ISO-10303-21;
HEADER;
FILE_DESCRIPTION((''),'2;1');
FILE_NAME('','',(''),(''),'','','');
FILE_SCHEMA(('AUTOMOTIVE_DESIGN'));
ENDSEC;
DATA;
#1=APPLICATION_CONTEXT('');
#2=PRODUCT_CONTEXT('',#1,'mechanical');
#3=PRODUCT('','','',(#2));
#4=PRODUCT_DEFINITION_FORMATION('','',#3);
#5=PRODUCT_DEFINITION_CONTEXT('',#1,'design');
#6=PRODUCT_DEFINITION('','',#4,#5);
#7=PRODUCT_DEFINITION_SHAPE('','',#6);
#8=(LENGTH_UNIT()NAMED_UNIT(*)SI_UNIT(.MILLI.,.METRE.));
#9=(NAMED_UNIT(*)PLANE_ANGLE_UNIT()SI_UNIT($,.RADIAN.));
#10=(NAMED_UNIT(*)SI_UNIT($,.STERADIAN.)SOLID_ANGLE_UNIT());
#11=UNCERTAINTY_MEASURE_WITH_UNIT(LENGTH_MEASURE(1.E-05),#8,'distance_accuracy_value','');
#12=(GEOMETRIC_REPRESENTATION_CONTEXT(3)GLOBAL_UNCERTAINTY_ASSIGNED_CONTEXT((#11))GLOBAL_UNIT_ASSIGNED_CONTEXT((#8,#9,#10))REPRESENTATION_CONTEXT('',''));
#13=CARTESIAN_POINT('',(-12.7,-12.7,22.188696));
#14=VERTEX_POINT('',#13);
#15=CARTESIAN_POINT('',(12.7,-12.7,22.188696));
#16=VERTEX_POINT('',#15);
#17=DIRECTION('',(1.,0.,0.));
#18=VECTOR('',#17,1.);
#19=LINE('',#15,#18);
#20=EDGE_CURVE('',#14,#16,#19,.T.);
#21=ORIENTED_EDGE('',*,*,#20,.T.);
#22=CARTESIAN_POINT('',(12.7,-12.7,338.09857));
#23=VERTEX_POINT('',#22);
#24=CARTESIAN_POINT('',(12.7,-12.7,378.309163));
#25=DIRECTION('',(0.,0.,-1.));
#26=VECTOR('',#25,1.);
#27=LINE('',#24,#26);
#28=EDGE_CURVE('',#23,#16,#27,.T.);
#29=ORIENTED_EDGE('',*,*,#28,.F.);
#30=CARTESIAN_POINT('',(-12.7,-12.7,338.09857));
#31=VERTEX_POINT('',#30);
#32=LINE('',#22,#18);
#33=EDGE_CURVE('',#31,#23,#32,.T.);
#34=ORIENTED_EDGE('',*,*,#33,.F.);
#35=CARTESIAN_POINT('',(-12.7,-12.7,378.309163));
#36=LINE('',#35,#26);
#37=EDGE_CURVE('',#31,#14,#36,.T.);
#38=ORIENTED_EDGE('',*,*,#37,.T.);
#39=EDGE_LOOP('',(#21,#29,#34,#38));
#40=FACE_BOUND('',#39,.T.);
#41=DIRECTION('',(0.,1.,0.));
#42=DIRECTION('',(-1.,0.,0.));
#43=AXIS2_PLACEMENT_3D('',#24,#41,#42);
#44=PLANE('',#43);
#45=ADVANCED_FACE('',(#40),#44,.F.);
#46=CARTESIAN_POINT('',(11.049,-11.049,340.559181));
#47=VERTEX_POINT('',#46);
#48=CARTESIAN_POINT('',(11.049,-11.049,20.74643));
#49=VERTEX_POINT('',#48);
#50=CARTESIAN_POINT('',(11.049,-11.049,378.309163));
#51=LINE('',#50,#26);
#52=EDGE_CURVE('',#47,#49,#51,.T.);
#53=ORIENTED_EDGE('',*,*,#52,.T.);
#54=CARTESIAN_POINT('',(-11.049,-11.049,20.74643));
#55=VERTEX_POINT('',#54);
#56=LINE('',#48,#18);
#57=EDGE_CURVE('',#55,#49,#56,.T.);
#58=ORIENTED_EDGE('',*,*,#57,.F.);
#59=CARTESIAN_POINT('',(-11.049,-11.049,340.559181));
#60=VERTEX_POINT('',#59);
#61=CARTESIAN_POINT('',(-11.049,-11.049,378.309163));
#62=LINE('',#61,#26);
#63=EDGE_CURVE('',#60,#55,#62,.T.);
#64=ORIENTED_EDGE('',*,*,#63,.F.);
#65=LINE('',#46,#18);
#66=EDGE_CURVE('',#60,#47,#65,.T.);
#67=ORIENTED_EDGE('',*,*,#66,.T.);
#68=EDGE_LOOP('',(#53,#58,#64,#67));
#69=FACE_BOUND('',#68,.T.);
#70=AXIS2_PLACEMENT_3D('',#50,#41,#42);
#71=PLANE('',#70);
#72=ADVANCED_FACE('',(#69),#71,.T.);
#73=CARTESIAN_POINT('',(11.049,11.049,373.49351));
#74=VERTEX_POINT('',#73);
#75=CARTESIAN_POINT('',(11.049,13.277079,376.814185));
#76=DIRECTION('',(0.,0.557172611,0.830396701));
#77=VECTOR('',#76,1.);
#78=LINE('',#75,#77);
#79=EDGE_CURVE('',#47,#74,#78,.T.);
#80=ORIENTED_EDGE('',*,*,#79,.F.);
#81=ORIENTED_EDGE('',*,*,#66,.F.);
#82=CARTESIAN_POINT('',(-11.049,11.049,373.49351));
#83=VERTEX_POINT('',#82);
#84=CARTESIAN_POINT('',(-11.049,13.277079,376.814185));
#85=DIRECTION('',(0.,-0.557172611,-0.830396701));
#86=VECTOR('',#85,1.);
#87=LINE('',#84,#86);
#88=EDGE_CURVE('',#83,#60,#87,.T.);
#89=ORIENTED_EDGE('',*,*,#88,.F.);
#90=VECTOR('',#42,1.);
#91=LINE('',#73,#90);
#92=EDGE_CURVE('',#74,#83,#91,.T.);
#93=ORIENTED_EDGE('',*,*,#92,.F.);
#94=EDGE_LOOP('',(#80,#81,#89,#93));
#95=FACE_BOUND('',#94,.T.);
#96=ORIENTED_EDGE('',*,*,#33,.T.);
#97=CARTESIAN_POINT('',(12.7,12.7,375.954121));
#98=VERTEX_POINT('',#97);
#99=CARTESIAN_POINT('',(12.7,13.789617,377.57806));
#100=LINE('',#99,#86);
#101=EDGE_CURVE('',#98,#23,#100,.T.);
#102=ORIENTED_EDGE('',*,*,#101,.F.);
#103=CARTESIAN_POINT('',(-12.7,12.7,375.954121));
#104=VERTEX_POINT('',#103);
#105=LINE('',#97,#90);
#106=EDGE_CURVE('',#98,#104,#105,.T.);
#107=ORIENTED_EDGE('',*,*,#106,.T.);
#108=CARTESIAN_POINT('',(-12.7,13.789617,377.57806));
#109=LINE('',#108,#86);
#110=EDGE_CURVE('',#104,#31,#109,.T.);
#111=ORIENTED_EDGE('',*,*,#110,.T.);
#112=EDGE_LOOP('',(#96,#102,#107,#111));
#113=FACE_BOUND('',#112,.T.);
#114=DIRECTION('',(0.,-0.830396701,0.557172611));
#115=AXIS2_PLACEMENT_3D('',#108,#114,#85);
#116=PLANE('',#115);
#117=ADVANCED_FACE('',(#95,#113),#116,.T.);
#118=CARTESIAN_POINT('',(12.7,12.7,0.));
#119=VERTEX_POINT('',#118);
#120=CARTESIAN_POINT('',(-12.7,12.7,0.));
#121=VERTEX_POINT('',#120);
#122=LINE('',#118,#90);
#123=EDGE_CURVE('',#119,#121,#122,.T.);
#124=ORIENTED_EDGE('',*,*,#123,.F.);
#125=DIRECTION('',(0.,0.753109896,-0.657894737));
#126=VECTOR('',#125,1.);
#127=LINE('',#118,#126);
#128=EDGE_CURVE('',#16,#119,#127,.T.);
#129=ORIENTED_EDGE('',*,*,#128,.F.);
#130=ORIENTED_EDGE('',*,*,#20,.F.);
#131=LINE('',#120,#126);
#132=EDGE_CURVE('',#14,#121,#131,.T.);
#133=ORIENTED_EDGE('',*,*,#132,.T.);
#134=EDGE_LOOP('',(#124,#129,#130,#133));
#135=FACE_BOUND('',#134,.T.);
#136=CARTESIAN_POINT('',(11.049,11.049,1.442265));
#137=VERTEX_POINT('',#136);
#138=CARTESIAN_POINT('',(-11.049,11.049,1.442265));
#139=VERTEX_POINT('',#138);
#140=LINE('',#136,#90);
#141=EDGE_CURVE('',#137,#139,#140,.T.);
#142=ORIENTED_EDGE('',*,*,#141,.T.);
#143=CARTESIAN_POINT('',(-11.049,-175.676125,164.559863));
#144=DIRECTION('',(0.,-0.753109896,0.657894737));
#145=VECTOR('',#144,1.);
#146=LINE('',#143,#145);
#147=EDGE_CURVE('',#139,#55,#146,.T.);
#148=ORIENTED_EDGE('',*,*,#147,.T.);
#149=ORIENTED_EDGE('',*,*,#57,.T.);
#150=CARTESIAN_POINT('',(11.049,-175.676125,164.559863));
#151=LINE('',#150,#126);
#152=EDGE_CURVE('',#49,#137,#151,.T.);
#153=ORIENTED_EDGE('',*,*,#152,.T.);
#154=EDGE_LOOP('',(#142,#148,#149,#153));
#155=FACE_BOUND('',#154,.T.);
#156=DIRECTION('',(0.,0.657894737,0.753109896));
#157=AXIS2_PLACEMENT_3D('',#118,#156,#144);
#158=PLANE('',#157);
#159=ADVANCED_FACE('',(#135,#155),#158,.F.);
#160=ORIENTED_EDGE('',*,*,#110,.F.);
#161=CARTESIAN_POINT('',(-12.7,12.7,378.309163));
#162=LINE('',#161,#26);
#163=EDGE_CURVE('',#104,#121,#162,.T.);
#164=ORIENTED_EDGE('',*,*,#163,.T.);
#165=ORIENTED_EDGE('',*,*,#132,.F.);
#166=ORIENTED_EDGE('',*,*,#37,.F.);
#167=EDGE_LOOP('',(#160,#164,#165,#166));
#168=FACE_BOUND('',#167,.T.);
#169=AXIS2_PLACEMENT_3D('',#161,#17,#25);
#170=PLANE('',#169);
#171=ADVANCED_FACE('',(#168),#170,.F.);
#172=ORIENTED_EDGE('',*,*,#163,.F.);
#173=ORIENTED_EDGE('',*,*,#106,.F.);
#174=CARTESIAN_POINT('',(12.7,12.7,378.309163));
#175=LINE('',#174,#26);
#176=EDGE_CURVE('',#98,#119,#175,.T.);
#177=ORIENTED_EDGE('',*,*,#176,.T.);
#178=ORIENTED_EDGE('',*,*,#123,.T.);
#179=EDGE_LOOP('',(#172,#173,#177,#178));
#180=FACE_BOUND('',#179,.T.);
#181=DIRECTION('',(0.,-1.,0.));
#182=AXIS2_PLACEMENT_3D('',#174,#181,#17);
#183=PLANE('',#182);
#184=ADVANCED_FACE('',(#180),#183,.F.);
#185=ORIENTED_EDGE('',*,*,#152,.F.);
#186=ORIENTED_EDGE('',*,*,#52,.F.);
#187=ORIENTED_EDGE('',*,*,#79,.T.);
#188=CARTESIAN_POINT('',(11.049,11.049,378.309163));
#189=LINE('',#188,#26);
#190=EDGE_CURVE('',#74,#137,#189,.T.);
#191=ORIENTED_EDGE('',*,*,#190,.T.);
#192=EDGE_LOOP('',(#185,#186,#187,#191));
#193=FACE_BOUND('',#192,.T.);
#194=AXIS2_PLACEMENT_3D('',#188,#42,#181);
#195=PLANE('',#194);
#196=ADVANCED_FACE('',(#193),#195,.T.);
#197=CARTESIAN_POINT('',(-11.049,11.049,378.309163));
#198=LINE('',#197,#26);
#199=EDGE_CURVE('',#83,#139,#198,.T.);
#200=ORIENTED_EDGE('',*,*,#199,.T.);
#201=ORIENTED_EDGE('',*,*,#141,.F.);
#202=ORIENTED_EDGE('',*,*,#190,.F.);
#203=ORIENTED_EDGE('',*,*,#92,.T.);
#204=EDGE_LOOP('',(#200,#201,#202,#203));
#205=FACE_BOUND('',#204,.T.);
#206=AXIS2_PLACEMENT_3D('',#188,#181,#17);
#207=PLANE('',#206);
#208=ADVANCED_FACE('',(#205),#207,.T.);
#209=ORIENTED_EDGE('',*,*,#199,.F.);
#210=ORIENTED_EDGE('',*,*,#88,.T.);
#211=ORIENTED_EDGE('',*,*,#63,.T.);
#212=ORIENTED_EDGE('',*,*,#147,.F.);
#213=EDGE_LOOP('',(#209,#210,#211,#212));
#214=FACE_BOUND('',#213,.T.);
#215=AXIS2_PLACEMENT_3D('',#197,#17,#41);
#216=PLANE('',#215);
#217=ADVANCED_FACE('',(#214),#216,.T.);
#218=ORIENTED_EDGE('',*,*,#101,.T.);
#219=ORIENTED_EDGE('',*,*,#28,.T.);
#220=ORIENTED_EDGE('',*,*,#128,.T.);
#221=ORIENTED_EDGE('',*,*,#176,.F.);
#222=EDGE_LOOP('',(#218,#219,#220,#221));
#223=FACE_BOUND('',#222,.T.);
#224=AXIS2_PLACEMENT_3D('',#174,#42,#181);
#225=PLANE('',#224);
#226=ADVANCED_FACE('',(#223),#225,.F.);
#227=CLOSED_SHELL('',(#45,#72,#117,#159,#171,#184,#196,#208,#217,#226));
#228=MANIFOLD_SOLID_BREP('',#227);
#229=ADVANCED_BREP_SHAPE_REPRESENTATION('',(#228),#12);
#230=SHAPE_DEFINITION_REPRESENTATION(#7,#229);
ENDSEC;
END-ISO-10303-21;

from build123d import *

# Parameters (mm, degrees)
SKETCH1_W           = 25.4
SKETCH1_H           = 25.4
SKETCH1_W_2         = 22.098
SKETCH1_H_2         = 22.098
BOSS_EXTRUDE1_DEPTH = 378.309163
CUT_EXTRUDE2_DEPTH  = 26.4
SKETCH5_W           = 25.4
SKETCH5_H           = 25.4
CUT_EXTRUDE3_DEPTH  = 244.121498097


with BuildPart() as part:
    # Sketch1 → Boss-Extrude1 (new body)
    with BuildSketch(Plane.XY):
        Rectangle(SKETCH1_W, SKETCH1_H)
        Rectangle(SKETCH1_W_2, SKETCH1_H_2, mode=Mode.SUBTRACT)
    extrude(amount=BOSS_EXTRUDE1_DEPTH)

    # Sketch4 → Cut-Extrude2 (cut, through all)
    with BuildSketch(Plane.ZY.offset(12.7)):
        Polygon((0, 12.7), (22.23162961, -12.749147595), (0, -16.391086304), align=None)
    extrude(amount=-CUT_EXTRUDE2_DEPTH, mode=Mode.SUBTRACT)

    # Sketch5 → Cut-Extrude3 (cut, through all)
    with BuildSketch(Plane(origin=(0, -132.21706056, 182.766862758), x_dir=(1, 0, 0), z_dir=(0, 0.557172611, 0.830396701))):
        Rectangle(SKETCH5_W, SKETCH5_H)
    extrude(amount=CUT_EXTRUDE3_DEPTH, mode=Mode.SUBTRACT)


solid = part.part
